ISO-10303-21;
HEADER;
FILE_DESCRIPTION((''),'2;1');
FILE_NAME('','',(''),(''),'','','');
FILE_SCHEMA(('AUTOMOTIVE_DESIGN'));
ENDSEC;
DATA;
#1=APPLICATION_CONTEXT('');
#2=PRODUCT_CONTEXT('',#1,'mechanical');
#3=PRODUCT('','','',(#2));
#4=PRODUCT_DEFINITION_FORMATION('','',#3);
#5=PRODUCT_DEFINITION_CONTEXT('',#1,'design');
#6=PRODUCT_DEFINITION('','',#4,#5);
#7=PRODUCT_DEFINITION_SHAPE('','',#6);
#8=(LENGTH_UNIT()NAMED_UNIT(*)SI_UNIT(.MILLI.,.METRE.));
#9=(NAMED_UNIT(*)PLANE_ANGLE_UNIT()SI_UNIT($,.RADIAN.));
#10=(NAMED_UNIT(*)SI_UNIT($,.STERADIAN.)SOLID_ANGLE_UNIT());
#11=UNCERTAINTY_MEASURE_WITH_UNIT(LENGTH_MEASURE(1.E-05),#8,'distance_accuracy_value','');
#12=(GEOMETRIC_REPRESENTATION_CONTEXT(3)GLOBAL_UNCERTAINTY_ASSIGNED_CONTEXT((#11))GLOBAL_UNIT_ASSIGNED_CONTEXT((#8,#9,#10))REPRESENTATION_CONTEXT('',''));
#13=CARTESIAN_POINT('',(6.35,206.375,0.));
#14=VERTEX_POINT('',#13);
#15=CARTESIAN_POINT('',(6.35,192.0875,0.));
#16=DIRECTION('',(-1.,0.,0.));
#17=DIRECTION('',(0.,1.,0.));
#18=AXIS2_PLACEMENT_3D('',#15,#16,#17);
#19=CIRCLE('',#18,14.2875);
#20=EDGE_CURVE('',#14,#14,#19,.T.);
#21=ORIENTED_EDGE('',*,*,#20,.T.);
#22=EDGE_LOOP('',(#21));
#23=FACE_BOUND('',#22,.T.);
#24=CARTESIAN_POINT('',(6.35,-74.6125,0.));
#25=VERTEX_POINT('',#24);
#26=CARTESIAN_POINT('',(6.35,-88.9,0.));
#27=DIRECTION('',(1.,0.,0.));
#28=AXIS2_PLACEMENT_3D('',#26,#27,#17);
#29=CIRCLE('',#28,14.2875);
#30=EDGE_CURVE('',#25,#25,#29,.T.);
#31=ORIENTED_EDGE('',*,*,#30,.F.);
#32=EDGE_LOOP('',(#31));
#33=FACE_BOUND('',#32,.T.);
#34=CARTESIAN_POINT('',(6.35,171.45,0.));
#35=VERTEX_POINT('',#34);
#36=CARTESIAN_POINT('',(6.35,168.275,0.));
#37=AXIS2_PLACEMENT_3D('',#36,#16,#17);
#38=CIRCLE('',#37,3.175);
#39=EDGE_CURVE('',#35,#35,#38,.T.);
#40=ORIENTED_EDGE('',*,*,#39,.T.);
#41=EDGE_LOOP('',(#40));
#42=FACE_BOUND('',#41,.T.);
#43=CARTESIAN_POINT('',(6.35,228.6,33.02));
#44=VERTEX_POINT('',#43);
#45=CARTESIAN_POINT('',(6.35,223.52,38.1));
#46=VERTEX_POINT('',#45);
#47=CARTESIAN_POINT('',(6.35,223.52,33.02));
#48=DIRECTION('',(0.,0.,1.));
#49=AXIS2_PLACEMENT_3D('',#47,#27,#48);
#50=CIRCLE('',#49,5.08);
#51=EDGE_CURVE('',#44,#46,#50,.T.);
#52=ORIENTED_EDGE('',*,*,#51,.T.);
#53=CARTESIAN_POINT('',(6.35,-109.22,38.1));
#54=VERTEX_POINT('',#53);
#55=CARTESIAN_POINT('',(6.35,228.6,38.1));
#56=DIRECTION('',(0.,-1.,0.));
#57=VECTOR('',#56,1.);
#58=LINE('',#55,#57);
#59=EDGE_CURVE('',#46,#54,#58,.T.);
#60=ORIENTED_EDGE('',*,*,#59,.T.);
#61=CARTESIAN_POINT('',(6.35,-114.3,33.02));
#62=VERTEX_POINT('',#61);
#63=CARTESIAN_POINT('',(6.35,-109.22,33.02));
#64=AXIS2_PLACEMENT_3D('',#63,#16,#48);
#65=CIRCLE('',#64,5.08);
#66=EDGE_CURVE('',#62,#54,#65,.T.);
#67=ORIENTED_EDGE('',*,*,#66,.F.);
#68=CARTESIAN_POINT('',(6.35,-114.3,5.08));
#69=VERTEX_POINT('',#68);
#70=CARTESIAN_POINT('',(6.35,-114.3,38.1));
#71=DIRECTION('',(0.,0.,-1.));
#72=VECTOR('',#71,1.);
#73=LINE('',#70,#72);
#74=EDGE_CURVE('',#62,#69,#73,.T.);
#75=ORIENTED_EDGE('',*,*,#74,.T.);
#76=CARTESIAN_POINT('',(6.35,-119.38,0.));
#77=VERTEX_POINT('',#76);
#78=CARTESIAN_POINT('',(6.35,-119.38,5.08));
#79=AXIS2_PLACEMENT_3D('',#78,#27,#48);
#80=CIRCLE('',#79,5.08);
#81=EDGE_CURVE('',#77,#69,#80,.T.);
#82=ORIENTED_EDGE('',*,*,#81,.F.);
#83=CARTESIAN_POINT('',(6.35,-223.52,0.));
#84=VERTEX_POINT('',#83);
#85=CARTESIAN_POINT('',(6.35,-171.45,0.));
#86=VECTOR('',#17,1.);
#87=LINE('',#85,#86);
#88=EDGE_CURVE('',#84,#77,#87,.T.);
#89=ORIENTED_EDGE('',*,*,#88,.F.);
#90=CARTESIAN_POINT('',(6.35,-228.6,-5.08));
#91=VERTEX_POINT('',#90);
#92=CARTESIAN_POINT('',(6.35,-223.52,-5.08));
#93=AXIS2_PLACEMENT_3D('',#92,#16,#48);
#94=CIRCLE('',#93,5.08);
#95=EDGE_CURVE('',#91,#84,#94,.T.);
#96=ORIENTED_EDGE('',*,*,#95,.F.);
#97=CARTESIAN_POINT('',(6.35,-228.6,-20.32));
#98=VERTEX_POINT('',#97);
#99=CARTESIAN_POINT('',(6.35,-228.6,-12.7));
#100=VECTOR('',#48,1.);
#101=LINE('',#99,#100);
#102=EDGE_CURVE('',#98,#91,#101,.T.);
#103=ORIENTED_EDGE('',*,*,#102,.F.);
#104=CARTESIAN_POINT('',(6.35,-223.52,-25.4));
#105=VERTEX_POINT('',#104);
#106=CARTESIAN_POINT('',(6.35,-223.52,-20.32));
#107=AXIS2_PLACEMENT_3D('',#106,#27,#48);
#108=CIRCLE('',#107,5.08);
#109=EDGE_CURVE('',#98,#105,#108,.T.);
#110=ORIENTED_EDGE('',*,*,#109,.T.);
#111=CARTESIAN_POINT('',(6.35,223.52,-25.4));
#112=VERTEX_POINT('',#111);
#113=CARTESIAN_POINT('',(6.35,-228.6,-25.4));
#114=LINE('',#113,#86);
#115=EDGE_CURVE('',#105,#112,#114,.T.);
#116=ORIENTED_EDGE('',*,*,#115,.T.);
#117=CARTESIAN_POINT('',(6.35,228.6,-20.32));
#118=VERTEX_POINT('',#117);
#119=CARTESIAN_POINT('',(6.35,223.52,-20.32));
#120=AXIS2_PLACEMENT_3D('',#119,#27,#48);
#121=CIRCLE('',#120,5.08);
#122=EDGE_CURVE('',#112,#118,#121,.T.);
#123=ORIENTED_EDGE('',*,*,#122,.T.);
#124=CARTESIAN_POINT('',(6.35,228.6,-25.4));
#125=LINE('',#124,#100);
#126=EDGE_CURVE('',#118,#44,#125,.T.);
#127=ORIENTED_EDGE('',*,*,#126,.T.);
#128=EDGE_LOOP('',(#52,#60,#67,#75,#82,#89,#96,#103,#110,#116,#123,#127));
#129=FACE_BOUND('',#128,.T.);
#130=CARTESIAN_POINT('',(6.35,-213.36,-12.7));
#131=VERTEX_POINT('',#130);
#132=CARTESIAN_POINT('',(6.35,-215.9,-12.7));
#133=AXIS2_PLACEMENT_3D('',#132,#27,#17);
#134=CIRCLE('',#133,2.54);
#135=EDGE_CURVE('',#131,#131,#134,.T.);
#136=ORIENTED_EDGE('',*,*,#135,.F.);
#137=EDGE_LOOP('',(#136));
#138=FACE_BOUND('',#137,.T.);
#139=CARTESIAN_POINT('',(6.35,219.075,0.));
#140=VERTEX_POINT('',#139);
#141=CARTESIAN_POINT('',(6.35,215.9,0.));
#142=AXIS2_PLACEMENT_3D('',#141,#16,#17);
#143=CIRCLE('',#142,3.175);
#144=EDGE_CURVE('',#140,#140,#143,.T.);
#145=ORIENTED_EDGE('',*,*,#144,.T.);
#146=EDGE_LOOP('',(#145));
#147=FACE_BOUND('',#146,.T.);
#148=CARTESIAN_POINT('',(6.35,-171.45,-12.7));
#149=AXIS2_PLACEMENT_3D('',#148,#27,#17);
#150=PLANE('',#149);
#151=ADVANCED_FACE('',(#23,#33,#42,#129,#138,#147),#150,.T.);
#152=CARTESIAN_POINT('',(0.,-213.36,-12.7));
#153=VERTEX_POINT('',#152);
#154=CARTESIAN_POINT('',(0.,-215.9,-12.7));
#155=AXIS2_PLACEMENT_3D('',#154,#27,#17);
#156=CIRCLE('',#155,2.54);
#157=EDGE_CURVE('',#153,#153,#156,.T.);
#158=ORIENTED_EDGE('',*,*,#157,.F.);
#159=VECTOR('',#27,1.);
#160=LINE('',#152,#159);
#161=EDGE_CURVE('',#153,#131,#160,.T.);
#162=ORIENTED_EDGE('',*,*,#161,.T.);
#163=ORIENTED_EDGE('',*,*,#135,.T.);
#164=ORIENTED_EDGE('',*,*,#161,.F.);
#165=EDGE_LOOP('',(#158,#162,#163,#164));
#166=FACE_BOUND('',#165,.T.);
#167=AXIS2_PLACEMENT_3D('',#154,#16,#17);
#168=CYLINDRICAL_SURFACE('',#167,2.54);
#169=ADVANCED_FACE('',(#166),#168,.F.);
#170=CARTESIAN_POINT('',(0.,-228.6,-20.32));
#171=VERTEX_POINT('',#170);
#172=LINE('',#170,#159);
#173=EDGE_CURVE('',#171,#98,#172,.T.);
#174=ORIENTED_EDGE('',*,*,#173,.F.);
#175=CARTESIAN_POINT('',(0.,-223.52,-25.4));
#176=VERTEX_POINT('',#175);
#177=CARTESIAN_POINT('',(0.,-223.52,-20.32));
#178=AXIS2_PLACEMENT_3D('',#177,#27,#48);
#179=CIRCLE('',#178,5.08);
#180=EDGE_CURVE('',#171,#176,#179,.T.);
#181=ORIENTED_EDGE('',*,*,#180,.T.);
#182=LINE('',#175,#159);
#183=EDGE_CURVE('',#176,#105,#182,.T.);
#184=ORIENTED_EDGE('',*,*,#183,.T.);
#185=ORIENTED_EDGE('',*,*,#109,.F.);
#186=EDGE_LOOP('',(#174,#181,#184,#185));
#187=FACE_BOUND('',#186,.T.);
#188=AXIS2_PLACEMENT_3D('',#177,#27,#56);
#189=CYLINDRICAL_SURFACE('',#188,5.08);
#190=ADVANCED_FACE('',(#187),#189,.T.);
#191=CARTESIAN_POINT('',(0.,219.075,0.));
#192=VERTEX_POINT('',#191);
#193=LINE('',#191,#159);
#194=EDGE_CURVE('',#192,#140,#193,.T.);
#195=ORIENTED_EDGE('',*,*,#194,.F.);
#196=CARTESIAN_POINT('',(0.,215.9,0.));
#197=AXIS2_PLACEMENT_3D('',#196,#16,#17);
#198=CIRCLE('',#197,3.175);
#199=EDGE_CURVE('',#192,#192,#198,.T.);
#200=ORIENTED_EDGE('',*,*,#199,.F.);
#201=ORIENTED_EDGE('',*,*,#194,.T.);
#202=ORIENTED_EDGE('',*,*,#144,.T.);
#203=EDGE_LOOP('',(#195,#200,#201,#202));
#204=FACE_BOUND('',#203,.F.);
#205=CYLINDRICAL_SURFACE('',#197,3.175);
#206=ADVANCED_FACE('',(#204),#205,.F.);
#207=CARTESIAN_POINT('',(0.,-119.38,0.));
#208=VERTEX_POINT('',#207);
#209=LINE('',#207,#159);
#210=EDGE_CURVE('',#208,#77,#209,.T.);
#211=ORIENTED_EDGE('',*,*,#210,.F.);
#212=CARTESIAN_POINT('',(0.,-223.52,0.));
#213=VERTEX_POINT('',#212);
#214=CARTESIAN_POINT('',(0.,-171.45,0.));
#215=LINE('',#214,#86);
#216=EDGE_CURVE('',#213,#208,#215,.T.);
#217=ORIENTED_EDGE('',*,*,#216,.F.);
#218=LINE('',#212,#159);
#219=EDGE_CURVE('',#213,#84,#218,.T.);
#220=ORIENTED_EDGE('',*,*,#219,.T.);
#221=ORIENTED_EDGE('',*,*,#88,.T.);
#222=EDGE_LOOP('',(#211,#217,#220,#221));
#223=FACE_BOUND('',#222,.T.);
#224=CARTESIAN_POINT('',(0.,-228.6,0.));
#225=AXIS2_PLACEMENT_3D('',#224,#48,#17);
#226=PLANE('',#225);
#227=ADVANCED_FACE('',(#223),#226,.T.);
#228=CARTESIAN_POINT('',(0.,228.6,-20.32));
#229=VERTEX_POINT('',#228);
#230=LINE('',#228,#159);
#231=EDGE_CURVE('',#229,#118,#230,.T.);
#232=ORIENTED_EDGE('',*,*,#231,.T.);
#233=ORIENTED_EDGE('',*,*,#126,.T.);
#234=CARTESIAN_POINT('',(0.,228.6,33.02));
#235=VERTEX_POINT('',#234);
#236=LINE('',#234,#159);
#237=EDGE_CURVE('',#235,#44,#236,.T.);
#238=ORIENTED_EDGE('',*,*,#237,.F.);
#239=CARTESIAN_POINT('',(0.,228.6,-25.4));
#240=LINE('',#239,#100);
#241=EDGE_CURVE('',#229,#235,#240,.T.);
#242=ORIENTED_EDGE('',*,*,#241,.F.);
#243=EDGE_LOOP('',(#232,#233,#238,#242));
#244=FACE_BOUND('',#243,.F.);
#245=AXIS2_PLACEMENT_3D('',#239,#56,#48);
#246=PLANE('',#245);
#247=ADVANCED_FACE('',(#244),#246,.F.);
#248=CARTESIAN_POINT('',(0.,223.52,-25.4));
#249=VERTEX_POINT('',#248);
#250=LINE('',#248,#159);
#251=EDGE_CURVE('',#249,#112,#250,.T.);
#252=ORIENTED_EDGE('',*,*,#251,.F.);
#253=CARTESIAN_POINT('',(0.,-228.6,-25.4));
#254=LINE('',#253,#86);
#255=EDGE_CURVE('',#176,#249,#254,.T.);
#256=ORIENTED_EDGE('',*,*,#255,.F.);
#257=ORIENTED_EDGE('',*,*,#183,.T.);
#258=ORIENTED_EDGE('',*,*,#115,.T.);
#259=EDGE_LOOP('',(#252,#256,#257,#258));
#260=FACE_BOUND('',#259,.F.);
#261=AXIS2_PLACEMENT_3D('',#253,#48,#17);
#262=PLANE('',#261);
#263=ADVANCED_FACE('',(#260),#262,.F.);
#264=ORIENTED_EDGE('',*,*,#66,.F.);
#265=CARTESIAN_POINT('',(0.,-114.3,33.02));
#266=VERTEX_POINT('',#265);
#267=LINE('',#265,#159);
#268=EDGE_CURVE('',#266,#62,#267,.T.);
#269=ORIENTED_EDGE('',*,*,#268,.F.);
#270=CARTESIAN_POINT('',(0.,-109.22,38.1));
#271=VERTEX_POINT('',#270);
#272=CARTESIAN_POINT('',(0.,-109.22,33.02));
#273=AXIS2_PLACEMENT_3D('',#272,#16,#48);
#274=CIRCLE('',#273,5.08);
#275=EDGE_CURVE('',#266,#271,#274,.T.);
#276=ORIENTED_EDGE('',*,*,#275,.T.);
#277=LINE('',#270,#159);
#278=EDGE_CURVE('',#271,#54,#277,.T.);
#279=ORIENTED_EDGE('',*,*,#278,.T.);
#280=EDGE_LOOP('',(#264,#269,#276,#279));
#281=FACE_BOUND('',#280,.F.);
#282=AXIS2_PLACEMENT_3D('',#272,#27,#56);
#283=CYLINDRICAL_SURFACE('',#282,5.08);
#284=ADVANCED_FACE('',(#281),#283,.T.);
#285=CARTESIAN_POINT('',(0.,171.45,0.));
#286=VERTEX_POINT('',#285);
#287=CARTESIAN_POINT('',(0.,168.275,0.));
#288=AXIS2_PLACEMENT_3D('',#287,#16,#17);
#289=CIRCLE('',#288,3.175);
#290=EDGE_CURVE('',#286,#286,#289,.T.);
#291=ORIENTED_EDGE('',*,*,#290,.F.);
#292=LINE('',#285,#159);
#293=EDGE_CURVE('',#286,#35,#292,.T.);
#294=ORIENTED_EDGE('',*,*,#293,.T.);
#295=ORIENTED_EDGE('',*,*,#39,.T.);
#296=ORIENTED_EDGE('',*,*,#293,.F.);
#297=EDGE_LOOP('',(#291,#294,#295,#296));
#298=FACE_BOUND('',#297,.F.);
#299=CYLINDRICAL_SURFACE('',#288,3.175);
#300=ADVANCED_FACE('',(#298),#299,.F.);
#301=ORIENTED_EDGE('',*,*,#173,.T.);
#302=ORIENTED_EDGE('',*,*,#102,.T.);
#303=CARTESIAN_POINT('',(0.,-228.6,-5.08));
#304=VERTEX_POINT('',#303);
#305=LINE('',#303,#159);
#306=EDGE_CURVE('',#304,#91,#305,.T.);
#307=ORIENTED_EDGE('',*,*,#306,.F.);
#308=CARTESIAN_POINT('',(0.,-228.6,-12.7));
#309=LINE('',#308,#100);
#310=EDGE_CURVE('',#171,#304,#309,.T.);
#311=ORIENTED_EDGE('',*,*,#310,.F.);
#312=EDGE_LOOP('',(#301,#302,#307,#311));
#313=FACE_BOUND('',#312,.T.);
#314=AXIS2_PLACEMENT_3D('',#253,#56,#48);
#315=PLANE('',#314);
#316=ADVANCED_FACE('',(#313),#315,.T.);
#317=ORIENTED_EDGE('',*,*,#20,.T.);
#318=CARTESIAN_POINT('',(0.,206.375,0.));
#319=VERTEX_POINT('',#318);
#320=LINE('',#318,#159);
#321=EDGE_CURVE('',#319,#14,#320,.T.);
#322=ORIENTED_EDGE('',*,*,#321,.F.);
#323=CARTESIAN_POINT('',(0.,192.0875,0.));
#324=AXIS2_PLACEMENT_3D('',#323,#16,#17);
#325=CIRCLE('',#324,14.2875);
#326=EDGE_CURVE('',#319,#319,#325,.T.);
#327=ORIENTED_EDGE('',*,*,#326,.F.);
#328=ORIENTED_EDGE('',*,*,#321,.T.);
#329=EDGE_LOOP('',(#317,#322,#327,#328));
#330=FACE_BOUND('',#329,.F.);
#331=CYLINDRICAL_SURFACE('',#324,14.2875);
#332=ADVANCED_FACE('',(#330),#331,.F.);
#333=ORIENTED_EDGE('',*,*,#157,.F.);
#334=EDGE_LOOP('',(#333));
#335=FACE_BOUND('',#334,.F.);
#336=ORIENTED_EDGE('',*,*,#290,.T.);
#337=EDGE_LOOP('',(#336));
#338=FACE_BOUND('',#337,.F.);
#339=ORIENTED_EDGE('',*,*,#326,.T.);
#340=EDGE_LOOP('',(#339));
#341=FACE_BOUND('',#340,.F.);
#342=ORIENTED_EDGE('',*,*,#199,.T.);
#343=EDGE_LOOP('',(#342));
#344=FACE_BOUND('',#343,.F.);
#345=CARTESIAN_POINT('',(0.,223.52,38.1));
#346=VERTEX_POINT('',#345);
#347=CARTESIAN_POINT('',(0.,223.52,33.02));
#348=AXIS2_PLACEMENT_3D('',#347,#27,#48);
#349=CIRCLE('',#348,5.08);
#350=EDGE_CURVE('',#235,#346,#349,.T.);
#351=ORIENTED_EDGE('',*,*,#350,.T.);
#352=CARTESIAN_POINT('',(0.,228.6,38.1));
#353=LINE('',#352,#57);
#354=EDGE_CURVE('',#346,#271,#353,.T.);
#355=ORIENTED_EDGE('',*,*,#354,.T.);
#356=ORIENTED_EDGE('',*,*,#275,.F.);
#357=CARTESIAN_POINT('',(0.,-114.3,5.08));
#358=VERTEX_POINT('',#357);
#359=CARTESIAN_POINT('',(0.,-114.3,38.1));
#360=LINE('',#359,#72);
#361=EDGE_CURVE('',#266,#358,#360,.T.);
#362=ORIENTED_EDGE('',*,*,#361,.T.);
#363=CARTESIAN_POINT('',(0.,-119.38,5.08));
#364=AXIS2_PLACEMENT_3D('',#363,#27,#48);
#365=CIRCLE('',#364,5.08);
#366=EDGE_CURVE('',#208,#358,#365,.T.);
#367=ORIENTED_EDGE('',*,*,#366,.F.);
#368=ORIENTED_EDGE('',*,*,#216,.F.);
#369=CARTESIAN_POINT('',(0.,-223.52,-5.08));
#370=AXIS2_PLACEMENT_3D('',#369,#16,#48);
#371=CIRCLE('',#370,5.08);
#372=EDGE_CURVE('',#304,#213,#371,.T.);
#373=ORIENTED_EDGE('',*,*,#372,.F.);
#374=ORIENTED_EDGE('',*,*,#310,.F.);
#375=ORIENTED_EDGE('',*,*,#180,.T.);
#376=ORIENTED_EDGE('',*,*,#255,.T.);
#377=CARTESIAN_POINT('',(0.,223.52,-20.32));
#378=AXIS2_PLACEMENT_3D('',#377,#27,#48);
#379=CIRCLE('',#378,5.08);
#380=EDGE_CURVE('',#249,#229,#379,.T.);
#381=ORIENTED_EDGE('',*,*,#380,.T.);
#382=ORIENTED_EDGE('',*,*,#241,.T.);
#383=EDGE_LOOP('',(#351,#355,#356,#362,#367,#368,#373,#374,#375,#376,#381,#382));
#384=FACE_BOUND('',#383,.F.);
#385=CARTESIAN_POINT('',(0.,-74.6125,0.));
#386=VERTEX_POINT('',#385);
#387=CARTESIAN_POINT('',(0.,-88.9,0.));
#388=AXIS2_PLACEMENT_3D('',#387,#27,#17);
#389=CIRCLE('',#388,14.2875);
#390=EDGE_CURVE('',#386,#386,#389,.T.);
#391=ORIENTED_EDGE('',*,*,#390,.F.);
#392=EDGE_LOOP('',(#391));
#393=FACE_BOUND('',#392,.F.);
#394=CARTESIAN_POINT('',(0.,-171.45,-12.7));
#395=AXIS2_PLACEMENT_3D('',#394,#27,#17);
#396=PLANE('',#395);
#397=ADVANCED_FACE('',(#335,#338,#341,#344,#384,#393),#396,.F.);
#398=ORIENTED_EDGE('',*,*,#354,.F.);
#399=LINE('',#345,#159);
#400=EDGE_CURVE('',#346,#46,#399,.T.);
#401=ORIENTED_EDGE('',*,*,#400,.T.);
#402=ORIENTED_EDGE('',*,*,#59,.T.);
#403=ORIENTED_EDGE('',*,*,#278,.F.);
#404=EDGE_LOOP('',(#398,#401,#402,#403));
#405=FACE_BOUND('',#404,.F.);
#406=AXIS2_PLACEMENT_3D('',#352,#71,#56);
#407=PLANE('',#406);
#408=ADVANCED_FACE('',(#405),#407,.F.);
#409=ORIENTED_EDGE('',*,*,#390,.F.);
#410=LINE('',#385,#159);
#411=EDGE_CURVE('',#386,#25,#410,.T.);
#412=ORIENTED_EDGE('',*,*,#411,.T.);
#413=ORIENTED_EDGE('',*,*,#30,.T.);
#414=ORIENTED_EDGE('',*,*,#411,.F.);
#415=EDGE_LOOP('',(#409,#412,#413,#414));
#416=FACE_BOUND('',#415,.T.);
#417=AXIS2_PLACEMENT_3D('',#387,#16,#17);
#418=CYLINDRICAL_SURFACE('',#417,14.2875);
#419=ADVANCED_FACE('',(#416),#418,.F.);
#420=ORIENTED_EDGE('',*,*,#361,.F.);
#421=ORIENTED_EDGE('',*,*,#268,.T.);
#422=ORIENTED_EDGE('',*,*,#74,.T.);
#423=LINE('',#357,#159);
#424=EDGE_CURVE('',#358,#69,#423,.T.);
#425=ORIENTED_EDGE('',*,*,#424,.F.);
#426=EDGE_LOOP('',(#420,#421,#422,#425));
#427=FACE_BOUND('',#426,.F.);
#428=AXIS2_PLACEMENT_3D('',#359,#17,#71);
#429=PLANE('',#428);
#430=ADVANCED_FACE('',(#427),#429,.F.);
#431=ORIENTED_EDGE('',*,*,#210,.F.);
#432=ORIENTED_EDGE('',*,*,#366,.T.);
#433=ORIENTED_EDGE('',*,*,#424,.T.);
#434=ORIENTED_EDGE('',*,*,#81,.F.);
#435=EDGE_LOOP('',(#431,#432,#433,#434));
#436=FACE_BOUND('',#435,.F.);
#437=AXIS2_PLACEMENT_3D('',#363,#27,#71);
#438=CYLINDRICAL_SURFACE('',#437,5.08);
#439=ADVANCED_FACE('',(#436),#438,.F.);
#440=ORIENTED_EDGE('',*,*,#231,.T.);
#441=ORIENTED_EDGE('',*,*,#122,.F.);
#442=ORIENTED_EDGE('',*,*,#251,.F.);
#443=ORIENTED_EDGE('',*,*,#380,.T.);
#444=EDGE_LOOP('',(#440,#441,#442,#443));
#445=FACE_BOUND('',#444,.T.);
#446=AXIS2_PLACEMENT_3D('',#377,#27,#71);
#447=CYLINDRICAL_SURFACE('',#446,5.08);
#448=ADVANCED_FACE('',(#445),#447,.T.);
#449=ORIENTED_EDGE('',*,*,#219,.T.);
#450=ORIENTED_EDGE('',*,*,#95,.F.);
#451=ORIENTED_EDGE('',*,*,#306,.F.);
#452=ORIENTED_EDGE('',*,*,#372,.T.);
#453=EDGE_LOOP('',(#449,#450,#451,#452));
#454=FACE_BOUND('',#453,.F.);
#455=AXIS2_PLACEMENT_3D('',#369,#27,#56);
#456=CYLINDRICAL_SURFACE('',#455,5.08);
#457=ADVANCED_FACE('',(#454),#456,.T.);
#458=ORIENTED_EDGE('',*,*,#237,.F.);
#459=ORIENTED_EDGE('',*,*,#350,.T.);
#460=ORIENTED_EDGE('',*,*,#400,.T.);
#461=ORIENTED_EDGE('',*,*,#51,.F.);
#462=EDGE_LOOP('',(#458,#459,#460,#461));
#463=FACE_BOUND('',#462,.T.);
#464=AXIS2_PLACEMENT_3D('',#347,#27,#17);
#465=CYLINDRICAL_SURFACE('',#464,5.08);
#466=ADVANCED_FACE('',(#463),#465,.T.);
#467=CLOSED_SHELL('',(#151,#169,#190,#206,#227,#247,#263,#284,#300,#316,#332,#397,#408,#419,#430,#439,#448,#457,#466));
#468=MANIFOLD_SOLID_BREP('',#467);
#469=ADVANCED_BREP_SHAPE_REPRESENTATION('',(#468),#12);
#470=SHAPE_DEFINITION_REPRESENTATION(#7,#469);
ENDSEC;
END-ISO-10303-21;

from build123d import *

# Parameters (mm, degrees)
F0_W     = 114.3
F0_H     = 25.4
F0_R     = 2.54
F0_R_2   = 14.2875
F1_DEPTH = 6.35
F2_R     = 5.08


with BuildPart() as f1:
    # F0 (on Right) → F1 (new body)
    with BuildSketch(Plane.YZ):
        with Locations((-171.45, -12.7)):
            Rectangle(F0_W, F0_H)
        with Locations((-215.9, -12.7)):
            Circle(F0_R, mode=Mode.SUBTRACT)
        Polygon((228.6, 38.1), (-114.3, 38.1), (-114.3, 0), (-114.3, -25.4), (228.6, -25.4), (228.6, 0), align=None)
        with Locations((-88.9, 0)):
            Circle(F0_R_2, mode=Mode.SUBTRACT)
        with BuildLine():
            ThreePointArc((165.1, 0), (168.275, 3.175), (171.45, 0))
            ThreePointArc((171.45, 0), (168.275, -3.175), (165.1, 0))
        make_face(mode=Mode.SUBTRACT)
        with BuildLine():
            ThreePointArc((177.8, 0), (192.0875, 14.2875), (206.375, 0))
            ThreePointArc((206.375, 0), (192.0875, -14.2875), (177.8, 0))
        make_face(mode=Mode.SUBTRACT)
        with BuildLine():
            ThreePointArc((212.725, 0), (215.9, 3.175), (219.075, 0))
            ThreePointArc((219.075, 0), (215.9, -3.175), (212.725, 0))
        make_face(mode=Mode.SUBTRACT)
    extrude(amount=F1_DEPTH)

    # F2
    f2_edges = [f1.edges().sort_by_distance(p)[0] for p in [
        (3.175, -114.3, 0),
        (3.175, -114.3, 38.1),
        (3.175, -228.6, 0),
        (3.175, -228.6, -25.4),
        (3.175, 228.6, 38.1),
        (3.175, 228.6, -25.4),
    ]]
    fillet(f2_edges, radius=F2_R)


solid = f1.part
